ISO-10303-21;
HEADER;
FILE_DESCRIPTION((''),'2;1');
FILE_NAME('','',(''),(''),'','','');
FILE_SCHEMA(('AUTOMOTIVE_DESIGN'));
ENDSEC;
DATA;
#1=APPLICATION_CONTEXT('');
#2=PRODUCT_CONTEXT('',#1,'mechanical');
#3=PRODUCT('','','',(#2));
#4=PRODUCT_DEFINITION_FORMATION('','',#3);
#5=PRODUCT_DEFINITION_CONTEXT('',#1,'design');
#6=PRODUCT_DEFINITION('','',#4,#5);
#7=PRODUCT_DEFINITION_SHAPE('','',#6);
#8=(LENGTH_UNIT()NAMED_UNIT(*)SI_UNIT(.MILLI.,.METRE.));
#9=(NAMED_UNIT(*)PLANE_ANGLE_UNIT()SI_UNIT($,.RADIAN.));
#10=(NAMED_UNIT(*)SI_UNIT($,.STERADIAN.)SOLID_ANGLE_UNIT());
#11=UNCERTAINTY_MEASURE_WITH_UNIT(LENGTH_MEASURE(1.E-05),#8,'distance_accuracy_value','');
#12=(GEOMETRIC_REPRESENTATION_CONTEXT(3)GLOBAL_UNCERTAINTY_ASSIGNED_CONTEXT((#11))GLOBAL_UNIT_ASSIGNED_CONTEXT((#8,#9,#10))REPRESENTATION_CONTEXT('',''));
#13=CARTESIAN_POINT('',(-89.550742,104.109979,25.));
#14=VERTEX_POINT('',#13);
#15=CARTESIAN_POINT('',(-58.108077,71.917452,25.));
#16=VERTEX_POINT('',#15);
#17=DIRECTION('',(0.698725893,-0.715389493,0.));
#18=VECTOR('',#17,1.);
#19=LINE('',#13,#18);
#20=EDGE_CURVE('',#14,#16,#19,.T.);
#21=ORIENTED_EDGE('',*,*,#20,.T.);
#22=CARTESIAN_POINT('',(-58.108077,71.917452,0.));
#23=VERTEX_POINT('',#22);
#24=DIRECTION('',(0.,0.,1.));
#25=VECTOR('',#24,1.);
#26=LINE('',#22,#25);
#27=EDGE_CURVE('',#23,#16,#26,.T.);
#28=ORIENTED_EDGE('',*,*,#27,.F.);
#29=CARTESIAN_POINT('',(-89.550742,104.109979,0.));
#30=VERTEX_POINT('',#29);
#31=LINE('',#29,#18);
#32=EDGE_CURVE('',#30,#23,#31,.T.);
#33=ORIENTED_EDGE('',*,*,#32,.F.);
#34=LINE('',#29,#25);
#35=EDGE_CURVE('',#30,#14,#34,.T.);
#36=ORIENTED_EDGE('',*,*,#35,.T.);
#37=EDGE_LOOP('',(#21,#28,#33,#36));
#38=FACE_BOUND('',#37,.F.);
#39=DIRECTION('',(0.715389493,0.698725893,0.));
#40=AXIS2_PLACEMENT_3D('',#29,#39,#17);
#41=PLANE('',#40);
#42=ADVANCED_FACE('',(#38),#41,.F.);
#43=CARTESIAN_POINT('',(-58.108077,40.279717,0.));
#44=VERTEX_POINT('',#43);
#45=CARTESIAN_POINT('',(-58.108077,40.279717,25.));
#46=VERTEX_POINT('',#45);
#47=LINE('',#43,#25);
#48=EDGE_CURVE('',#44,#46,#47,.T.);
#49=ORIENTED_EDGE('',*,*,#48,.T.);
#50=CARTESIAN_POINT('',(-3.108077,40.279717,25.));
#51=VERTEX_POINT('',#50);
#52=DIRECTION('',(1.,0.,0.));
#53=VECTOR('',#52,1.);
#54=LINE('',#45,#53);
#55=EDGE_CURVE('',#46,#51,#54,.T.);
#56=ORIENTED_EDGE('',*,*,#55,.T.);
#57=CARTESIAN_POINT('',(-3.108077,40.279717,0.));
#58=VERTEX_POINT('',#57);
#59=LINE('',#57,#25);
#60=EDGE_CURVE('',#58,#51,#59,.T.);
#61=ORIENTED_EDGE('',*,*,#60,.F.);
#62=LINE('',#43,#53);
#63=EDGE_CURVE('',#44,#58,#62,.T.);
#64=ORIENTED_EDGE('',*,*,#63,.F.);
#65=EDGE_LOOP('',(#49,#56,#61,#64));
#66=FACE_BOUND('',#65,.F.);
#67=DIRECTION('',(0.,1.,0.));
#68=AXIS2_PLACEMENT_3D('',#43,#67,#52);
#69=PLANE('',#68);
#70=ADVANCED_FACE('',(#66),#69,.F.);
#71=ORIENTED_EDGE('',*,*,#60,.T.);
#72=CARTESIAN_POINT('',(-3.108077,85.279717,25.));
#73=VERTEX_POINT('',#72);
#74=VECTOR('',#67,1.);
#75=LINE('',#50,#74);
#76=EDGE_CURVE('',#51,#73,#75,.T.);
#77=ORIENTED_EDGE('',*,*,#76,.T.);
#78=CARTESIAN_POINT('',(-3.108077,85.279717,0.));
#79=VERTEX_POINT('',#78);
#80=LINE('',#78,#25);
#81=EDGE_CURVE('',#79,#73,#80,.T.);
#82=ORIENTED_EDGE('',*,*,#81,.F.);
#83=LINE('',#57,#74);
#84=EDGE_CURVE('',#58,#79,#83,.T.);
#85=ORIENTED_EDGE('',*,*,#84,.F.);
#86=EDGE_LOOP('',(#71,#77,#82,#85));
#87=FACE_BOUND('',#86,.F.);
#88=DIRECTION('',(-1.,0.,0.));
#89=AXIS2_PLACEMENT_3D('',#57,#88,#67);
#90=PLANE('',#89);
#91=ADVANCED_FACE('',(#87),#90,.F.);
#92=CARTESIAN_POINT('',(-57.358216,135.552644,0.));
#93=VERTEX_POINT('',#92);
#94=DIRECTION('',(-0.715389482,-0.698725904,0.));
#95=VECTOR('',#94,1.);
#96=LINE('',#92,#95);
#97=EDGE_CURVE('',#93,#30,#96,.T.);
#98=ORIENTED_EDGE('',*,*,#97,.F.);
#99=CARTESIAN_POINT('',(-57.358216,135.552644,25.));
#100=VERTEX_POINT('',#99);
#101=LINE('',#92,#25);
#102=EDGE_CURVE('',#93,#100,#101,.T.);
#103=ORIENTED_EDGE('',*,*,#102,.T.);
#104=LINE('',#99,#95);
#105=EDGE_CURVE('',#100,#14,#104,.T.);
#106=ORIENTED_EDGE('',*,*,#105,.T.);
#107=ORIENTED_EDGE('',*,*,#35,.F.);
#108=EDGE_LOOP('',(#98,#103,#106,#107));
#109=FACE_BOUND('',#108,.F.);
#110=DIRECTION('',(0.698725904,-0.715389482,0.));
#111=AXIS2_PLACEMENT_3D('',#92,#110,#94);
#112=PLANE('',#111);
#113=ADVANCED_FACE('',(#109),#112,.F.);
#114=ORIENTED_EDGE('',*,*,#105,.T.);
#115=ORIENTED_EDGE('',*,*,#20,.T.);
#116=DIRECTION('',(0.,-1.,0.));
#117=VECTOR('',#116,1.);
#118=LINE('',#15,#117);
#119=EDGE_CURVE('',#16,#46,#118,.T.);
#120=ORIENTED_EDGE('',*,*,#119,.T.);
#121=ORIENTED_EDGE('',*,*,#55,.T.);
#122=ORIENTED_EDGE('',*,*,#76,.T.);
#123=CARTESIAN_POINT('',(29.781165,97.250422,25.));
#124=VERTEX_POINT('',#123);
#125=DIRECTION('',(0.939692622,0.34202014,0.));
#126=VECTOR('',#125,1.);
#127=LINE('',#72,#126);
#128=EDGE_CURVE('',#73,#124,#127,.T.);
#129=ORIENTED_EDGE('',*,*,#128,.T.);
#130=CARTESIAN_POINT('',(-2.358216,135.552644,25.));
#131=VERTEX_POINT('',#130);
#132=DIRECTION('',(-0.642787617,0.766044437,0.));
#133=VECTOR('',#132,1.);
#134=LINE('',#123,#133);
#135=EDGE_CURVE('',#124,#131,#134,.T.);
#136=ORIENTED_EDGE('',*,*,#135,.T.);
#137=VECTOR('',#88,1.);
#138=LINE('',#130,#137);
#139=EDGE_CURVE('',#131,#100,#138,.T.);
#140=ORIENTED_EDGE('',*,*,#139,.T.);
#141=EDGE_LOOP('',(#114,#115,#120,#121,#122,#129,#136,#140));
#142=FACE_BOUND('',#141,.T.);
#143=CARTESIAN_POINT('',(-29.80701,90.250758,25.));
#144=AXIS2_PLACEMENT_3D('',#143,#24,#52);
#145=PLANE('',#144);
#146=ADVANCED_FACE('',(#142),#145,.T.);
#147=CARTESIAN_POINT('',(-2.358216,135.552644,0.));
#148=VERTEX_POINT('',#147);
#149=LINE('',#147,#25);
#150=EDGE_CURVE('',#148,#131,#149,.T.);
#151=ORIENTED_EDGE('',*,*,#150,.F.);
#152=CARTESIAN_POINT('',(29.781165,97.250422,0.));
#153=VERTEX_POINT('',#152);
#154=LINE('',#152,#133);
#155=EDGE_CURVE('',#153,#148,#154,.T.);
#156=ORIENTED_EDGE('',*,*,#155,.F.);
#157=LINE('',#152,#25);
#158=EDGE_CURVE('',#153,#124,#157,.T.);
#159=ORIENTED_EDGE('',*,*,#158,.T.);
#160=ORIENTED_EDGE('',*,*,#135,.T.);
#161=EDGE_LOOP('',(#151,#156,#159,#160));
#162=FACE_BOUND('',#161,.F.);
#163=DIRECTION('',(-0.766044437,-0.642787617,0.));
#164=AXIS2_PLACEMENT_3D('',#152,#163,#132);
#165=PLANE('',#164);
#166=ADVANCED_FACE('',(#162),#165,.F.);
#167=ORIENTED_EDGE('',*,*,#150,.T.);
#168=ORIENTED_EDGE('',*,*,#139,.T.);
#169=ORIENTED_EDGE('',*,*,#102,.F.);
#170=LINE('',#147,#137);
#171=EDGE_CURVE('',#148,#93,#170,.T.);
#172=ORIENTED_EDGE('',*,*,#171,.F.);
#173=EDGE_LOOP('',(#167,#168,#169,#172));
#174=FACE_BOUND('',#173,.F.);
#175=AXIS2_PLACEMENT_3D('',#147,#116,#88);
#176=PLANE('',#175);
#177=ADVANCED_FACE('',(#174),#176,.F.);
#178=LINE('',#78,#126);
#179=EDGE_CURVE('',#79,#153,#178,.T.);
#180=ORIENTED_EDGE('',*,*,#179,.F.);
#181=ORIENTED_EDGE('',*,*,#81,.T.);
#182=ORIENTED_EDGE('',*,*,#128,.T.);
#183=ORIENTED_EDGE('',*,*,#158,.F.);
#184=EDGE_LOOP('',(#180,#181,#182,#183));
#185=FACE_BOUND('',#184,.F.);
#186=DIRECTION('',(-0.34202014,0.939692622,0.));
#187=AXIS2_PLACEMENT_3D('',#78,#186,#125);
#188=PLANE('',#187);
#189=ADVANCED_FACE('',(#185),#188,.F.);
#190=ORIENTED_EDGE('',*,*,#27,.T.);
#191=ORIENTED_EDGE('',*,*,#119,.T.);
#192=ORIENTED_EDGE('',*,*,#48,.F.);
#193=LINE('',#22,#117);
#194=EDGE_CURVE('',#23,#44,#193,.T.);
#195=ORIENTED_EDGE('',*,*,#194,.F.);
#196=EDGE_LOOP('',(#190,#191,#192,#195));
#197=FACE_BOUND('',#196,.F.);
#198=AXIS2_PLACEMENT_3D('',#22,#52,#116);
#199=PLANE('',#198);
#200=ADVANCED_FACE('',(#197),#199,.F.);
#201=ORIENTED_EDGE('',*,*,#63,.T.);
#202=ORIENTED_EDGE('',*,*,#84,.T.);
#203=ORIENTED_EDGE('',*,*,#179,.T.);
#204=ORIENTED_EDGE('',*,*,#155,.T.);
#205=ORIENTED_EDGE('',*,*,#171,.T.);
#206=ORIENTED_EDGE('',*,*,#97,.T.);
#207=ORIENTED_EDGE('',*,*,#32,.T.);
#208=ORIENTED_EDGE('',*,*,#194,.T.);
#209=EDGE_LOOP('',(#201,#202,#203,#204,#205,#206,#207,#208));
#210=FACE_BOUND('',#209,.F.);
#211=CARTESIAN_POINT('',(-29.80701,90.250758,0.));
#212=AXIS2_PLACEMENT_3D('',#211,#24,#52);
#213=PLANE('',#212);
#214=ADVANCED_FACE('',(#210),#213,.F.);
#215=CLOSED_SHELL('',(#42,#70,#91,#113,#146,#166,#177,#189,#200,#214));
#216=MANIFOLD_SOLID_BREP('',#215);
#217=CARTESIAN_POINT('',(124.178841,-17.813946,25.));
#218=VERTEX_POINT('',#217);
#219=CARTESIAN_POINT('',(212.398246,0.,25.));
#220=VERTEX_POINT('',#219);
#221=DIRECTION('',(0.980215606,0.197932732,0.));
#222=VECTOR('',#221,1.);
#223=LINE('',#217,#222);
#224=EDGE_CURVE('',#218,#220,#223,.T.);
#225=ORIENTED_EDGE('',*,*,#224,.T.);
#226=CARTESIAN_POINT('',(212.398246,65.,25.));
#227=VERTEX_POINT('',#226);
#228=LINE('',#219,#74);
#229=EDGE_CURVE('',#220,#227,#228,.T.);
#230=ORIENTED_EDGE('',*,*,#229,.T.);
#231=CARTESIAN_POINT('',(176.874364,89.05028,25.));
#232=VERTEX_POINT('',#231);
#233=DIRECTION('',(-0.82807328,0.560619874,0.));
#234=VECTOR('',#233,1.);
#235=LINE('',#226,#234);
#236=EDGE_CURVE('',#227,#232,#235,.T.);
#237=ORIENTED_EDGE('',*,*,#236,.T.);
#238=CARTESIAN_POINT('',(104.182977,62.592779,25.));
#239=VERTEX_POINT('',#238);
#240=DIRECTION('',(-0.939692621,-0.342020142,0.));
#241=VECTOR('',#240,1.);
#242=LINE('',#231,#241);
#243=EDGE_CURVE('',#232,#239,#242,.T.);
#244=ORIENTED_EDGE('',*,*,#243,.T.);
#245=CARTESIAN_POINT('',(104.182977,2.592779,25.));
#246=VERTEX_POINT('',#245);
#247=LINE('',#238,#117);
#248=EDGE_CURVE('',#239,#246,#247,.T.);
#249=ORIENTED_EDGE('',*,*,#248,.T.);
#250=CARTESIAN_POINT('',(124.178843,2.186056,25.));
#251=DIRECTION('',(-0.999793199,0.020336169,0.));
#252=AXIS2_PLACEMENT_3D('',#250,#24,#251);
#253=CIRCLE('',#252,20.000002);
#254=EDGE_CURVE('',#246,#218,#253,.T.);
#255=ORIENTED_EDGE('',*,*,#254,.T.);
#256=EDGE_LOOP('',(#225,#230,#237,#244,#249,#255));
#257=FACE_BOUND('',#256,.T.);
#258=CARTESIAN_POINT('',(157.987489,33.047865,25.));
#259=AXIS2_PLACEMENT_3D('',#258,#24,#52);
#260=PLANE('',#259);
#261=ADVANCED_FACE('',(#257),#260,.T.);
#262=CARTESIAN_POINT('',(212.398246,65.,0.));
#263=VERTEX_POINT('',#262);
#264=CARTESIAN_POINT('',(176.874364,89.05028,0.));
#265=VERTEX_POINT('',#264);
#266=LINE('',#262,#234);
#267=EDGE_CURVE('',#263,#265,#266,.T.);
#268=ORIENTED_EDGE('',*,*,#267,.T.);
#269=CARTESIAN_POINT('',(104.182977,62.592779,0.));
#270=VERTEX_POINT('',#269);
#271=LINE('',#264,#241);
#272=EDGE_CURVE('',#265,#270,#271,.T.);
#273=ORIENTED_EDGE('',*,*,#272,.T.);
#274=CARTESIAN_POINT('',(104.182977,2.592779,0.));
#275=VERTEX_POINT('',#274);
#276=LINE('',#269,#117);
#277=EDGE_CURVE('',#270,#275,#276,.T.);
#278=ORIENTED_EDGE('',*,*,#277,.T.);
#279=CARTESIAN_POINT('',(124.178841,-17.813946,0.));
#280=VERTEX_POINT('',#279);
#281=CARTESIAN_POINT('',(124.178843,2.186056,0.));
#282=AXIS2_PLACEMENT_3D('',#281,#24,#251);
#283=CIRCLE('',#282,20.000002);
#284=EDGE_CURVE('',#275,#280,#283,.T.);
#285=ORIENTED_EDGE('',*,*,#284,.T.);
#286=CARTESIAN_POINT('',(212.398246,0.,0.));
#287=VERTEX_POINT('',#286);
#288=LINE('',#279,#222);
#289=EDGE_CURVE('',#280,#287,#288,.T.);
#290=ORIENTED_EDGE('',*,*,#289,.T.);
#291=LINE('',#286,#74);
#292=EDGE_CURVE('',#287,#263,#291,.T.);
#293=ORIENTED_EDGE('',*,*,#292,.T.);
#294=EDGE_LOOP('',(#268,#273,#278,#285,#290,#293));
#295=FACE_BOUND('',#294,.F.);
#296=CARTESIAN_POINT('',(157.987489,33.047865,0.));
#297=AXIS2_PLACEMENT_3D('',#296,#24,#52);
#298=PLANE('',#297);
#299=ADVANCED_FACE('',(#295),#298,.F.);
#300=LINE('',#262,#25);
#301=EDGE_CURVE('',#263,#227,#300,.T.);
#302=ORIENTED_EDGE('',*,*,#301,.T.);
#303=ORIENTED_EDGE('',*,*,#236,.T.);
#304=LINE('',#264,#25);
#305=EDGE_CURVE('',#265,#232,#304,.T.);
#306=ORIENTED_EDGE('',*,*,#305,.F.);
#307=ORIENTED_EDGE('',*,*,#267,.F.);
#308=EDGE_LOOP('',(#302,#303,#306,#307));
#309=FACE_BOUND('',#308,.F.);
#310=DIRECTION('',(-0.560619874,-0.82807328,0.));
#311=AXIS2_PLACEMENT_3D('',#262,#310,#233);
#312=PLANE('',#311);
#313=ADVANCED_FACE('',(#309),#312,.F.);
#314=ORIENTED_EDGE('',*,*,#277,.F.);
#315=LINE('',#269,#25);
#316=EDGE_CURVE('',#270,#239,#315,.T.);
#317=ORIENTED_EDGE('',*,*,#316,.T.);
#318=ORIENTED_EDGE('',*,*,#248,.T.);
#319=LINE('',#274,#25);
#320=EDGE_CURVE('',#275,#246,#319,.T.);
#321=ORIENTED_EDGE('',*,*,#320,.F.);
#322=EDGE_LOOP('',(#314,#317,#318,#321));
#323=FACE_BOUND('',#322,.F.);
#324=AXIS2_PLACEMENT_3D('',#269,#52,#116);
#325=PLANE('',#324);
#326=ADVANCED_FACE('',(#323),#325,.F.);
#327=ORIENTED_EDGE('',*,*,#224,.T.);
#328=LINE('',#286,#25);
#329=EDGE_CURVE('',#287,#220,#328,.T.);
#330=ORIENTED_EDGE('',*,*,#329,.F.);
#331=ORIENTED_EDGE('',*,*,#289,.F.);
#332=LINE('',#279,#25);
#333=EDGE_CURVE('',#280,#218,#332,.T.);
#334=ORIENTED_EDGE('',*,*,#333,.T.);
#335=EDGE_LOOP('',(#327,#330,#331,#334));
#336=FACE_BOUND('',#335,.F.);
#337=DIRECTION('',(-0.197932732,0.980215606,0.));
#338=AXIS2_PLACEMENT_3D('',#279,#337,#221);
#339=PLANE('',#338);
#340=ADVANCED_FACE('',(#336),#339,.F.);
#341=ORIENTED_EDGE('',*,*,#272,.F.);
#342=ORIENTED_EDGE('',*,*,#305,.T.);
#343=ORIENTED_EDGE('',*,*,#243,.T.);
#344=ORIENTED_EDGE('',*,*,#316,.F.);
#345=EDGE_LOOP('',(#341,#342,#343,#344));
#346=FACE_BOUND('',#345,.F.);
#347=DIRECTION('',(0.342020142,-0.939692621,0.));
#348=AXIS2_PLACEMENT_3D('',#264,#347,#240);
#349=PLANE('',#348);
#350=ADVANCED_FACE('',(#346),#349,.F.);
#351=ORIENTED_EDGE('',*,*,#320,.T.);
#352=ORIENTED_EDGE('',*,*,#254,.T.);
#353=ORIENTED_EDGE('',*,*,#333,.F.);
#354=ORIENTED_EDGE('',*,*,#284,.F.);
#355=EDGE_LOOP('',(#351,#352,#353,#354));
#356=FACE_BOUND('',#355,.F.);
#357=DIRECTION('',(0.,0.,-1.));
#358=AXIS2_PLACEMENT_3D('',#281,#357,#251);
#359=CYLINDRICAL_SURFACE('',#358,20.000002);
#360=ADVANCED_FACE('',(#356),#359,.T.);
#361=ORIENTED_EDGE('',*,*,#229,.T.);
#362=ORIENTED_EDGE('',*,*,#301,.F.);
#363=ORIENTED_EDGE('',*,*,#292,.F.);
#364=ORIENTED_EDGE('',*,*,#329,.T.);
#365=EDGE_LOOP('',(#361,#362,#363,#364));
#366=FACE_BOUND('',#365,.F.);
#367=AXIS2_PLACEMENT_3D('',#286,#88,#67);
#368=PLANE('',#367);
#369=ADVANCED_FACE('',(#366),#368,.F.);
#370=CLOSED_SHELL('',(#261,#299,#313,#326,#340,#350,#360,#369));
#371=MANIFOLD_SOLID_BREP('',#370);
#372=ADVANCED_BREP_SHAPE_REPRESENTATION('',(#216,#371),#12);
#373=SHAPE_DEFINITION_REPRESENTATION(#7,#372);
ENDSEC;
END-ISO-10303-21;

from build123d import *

# Parameters (mm, degrees)
F1_DEPTH = 25


with BuildPart() as f1:
    # F0 (on Top) → F1 (new body)
    with BuildSketch(Plane.XY):
        Polygon((-58.108077, 71.917452), (-58.108077, 40.279717), (-3.108077, 40.279717), (-3.108077, 85.279717), (29.781165, 97.250422), (-2.358216, 135.552644), (-57.358216, 135.552644), (-89.550742, 104.109979), align=None)
        with BuildLine():
            Line((124.178841, -17.813946), (212.398246, 0))
            Line((212.398246, 0), (212.398246, 65))
            Line((212.398246, 65), (176.874364, 89.05028))
            Line((176.874364, 89.05028), (104.182977, 62.592779))
            Line((104.182977, 62.592779), (104.182977, 2.592779))
            ThreePointArc((104.182977, 2.592779), (109.893631, -11.811544), (124.178841, -17.813946))
        make_face()
    extrude(amount=F1_DEPTH)


solid = f1.part
